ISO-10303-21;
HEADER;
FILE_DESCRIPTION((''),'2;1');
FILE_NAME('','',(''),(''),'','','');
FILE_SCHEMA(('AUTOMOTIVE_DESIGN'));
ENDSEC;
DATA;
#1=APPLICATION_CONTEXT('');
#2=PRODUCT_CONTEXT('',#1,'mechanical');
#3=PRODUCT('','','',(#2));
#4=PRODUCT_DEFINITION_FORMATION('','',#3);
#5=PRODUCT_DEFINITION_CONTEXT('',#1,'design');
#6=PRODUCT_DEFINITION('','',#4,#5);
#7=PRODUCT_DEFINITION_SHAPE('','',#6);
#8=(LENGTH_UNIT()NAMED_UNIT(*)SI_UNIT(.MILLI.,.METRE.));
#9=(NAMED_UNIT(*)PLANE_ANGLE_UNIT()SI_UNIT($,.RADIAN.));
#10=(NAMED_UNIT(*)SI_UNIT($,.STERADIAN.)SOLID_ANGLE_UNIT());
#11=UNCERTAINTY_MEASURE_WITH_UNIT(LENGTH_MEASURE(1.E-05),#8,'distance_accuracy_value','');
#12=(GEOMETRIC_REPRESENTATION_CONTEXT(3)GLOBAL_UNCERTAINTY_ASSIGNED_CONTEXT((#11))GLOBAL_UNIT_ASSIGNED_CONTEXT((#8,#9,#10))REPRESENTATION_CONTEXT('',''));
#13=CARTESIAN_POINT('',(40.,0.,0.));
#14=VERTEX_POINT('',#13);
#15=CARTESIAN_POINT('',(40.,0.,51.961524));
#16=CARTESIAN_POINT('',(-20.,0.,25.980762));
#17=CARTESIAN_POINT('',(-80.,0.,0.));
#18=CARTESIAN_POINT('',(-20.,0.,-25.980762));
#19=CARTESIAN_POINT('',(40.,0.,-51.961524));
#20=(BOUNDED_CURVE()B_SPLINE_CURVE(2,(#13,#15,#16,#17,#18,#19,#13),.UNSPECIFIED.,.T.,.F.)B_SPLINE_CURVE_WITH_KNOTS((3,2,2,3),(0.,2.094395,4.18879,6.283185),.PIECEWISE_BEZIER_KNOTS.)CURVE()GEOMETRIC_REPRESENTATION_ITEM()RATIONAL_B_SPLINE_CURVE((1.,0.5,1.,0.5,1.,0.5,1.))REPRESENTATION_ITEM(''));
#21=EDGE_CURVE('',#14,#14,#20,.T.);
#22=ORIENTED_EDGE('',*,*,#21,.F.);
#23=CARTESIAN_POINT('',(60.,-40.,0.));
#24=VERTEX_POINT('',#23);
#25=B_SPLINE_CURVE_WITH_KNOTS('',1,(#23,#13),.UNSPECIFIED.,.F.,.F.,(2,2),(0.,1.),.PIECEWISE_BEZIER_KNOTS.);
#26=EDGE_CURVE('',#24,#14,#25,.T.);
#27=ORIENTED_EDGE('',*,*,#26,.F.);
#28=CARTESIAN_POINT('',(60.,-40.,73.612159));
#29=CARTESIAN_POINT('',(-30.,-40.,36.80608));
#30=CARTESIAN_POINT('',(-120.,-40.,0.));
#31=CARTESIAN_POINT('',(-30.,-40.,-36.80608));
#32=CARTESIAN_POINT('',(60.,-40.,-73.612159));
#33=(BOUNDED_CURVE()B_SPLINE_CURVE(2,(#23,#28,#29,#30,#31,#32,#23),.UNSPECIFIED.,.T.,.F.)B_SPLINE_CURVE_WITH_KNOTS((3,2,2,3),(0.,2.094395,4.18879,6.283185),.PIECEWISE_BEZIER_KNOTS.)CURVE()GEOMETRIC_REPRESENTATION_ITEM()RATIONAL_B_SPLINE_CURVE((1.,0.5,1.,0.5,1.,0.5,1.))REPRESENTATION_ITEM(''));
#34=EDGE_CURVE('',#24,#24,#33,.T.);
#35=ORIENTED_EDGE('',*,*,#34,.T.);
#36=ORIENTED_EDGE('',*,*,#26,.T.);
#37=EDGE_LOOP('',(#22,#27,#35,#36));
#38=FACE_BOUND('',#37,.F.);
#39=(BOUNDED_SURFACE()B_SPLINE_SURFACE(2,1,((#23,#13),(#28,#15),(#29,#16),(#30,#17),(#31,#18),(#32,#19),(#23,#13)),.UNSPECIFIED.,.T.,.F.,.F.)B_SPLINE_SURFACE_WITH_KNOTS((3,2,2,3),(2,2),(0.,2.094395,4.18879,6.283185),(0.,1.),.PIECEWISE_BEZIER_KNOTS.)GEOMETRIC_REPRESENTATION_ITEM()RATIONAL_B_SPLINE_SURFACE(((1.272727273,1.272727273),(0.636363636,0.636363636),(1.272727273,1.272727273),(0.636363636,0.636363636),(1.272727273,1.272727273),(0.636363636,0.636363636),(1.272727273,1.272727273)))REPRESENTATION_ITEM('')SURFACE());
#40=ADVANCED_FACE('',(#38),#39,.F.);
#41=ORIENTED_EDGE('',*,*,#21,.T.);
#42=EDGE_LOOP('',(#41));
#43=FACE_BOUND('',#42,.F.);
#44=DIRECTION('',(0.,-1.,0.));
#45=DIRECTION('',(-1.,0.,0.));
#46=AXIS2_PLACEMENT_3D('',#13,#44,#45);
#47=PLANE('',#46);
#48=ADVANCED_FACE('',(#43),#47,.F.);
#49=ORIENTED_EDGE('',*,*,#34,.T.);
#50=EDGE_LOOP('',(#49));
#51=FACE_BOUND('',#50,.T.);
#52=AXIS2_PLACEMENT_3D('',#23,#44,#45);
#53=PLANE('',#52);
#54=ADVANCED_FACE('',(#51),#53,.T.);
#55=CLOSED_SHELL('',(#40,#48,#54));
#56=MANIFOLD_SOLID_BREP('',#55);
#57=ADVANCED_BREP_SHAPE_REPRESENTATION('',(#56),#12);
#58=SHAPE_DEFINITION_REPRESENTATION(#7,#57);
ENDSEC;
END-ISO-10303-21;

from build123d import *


with BuildPart() as f3:
    # F2 (on offset) → F3 section 0
    with BuildSketch(Plane.XZ.offset(40)):
        with BuildLine():
            add(Edge.make_bspline(
                [(60, 0), (60, 73.612159), (-30, 36.80608), (-120, 0), (-30, -36.80608), (60, -73.612159), (60, 0)],
                knots=[0, 0, 0, 2.094395, 2.094395, 4.18879, 4.18879, 6.283185, 6.283185, 6.283185], degree=2, weights=[1, 0.5, 1, 0.5, 1, 0.5, 1]))
        make_face()
    # F0 (on Front) → F3 section 1
    with BuildSketch(Plane.XZ):
        with BuildLine():
            add(Edge.make_bspline(
                [(40, 0), (40, 51.961524), (-20, 25.980762), (-80, 0), (-20, -25.980762), (40, -51.961524), (40, 0)],
                knots=[0, 0, 0, 2.094395, 2.094395, 4.18879, 4.18879, 6.283185, 6.283185, 6.283185], degree=2, weights=[1, 0.5, 1, 0.5, 1, 0.5, 1]))
        make_face()
    loft()


solid = f3.part
